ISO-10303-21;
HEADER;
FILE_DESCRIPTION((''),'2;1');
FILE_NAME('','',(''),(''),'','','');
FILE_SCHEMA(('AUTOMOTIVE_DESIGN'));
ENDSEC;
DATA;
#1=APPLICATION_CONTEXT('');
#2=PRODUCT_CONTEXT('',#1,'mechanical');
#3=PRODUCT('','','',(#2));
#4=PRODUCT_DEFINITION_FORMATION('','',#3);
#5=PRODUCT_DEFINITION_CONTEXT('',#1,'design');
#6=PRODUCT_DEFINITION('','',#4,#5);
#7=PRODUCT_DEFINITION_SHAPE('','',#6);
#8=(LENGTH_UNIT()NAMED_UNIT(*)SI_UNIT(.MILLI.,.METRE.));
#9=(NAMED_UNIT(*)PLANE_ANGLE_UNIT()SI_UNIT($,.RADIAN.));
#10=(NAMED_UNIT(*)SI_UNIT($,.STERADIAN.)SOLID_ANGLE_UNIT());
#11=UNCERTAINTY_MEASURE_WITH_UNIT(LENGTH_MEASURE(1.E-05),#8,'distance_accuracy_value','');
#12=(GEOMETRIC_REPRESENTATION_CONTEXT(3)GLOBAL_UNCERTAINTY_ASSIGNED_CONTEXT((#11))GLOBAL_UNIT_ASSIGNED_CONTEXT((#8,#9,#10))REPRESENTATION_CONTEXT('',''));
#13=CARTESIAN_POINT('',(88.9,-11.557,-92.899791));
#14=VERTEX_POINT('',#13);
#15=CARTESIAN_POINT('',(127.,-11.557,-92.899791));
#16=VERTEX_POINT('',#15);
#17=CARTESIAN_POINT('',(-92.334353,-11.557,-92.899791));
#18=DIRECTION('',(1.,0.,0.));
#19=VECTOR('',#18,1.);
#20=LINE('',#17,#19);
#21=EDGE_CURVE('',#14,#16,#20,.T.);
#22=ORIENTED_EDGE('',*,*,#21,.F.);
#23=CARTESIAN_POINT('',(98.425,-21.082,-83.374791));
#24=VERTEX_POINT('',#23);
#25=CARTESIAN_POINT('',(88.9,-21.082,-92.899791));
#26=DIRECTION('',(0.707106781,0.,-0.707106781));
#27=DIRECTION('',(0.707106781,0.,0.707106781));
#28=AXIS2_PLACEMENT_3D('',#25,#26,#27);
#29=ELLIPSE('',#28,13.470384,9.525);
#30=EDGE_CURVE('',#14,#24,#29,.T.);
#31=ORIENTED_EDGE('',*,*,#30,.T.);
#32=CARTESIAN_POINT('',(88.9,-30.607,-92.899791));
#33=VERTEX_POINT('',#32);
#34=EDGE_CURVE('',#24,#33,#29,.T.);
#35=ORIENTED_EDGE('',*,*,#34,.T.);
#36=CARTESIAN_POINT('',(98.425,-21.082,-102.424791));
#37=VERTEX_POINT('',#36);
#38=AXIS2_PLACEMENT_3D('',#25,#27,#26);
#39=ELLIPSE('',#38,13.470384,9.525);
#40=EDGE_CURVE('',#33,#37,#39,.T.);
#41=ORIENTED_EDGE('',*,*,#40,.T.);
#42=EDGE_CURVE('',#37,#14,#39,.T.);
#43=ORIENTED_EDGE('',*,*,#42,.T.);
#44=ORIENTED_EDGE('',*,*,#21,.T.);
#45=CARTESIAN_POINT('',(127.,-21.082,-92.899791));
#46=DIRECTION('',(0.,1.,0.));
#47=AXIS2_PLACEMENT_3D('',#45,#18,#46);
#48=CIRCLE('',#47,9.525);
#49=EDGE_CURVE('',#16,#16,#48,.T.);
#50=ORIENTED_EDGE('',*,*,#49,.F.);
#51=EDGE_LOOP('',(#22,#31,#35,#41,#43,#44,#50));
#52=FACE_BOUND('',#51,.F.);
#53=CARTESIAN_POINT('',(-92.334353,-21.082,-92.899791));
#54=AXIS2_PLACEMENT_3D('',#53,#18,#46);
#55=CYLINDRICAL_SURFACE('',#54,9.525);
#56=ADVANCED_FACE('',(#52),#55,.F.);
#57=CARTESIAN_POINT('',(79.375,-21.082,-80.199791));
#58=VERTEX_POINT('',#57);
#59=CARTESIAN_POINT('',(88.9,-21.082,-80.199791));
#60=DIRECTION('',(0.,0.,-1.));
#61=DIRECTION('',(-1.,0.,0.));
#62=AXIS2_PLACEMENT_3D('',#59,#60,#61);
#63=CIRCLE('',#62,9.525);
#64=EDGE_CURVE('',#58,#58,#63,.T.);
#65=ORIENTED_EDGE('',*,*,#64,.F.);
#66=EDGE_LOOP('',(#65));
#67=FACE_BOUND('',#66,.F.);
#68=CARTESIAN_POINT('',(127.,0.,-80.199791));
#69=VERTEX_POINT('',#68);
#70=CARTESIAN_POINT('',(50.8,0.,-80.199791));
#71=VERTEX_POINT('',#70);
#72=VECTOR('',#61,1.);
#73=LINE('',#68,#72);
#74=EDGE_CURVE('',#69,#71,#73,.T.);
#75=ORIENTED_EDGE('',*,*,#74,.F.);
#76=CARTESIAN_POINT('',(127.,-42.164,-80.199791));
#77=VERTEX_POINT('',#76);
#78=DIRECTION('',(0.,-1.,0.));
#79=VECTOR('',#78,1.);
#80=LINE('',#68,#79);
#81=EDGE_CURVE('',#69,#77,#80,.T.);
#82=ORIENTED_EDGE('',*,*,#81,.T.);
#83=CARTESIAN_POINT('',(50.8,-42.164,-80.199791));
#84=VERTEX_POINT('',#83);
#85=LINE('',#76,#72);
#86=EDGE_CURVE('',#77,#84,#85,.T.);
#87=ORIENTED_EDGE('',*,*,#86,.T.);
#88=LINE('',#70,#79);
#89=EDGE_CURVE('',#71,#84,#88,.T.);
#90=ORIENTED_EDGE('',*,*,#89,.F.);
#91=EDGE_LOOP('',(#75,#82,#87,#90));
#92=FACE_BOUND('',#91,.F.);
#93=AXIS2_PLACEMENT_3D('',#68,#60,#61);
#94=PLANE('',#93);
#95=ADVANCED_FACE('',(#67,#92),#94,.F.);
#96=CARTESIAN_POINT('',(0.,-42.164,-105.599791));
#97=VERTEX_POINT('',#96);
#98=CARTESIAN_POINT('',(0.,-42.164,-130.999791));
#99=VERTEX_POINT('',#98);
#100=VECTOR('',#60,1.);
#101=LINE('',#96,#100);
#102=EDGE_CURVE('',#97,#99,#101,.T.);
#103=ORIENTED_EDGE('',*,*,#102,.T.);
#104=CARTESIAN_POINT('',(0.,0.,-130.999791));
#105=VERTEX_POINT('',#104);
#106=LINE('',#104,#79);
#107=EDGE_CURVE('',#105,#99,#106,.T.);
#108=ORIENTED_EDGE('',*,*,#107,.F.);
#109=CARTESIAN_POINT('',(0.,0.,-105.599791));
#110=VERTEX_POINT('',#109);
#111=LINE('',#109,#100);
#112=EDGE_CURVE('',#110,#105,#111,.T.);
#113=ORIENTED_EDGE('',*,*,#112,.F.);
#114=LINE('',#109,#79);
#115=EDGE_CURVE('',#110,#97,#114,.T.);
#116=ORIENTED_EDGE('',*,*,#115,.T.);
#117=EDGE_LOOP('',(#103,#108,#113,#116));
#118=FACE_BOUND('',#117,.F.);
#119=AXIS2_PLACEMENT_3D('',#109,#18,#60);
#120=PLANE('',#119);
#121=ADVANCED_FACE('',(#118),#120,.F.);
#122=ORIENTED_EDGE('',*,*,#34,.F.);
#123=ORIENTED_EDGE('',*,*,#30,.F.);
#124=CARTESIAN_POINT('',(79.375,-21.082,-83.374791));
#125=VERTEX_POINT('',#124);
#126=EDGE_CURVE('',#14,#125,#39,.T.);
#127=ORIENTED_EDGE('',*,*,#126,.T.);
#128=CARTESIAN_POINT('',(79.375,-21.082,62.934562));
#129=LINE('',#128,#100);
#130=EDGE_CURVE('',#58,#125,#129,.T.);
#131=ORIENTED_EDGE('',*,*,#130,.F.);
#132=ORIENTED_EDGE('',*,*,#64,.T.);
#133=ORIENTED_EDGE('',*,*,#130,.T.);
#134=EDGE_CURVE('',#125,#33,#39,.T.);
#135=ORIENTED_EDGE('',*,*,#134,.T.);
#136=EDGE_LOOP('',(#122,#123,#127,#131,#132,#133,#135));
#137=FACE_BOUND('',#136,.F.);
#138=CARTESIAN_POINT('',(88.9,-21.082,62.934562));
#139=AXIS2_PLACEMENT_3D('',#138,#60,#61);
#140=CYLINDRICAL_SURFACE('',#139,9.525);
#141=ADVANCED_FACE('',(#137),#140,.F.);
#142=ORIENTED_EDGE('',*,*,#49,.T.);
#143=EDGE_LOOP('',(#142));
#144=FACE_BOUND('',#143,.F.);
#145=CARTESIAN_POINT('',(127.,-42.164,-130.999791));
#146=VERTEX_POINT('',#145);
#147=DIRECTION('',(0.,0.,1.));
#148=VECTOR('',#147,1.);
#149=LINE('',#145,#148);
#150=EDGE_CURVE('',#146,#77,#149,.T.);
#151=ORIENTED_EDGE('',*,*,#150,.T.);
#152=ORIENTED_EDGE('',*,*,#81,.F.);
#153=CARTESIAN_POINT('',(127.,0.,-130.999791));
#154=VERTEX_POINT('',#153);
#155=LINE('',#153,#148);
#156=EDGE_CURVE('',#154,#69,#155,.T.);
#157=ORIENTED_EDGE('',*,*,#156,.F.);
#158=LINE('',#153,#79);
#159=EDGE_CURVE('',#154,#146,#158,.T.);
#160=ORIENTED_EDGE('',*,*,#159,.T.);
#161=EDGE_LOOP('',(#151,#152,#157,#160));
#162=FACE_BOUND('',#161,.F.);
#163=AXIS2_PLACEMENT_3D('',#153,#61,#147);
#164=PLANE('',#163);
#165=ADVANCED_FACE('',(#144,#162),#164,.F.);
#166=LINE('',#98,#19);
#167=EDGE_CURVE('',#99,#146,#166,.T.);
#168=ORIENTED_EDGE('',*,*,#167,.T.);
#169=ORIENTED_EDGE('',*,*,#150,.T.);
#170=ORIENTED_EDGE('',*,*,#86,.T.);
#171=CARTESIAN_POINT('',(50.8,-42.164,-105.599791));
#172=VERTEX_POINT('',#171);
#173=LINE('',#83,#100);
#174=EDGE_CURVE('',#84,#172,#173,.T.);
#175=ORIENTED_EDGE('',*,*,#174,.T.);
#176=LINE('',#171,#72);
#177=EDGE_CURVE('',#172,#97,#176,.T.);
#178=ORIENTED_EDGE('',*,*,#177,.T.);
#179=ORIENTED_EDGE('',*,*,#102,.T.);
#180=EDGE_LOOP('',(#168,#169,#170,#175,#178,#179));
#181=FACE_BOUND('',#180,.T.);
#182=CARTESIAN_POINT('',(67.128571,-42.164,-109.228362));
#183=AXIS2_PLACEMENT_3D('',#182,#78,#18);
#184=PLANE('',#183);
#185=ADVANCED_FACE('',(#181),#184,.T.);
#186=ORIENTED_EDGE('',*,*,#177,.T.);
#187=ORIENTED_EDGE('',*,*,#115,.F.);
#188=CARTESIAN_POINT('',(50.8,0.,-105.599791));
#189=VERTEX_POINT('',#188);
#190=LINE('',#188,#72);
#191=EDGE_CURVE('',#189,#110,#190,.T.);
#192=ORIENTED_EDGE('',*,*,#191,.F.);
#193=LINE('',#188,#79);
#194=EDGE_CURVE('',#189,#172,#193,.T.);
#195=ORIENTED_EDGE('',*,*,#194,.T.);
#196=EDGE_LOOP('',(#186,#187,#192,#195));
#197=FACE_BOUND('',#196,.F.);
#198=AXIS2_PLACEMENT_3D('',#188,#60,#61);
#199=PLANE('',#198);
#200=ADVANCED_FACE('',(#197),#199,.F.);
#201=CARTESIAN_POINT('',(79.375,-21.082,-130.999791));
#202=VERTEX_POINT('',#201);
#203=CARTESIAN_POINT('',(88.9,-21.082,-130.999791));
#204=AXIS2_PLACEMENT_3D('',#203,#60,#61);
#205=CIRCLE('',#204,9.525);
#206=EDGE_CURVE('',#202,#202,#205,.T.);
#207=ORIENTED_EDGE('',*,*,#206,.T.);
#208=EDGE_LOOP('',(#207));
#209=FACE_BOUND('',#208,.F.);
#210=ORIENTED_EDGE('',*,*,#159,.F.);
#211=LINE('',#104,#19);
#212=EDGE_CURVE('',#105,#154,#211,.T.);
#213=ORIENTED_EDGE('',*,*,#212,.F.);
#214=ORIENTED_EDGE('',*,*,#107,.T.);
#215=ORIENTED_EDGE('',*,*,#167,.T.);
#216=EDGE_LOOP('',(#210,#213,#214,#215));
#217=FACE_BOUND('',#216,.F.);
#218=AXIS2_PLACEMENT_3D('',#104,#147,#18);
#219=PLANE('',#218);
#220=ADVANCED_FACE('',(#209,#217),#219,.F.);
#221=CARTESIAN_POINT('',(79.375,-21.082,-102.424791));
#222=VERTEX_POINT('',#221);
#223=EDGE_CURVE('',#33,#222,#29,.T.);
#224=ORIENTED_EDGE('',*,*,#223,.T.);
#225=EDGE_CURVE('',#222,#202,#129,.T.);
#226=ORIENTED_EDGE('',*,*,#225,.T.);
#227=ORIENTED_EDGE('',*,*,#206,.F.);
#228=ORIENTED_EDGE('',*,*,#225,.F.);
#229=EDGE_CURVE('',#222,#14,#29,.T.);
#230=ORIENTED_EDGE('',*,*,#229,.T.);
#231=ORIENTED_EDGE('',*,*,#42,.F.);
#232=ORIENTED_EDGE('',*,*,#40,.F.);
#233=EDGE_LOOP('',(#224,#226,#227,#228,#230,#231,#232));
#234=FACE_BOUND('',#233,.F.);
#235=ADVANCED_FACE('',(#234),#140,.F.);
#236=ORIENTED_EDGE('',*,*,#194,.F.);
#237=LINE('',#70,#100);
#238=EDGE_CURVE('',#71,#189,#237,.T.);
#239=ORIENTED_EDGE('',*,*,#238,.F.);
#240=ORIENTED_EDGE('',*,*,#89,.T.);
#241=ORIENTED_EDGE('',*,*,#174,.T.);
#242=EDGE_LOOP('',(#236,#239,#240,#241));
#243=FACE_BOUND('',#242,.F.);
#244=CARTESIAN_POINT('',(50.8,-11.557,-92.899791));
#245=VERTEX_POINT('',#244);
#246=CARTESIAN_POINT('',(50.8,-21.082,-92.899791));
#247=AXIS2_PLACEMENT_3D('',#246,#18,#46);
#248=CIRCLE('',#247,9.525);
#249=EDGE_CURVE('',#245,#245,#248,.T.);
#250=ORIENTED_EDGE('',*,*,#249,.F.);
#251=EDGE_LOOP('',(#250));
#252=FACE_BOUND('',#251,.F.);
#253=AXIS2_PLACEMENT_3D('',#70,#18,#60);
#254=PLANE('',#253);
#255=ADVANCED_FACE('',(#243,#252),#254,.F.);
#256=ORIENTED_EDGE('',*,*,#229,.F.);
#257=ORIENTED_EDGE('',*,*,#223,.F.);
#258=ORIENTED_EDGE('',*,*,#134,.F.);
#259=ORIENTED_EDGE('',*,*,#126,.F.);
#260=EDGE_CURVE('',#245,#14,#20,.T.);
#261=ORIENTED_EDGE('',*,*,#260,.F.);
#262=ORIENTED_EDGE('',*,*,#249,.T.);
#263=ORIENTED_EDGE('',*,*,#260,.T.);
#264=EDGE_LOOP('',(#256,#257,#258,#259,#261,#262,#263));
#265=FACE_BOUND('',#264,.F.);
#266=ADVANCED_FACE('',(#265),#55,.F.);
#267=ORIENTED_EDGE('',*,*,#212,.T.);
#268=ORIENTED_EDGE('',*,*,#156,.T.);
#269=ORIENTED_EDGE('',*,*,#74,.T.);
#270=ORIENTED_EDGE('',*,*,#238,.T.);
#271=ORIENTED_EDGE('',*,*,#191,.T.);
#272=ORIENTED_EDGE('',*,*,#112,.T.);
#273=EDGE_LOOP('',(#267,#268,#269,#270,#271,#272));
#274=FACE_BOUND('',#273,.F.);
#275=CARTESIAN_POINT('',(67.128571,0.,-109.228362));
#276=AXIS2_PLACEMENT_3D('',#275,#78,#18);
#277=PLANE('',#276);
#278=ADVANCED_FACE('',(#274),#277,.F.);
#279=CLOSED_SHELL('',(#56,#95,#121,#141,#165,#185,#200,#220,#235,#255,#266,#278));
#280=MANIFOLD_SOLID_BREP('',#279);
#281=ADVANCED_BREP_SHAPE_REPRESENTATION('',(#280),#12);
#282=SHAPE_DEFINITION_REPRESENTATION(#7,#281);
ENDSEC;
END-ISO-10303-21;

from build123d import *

# Parameters (mm, degrees)
F1_DEPTH = 42.164
F3_D     = 19.05
F5_D     = 19.05


with BuildPart() as f1:
    # F0 (on Front) → F1 (new body)
    with BuildSketch(Plane.XZ):
        Polygon((127, -80.199791), (50.8, -80.199791), (50.8, -105.599791), (0, -105.599791), (0, -130.999791), (127, -130.999791), align=None)
    extrude(amount=F1_DEPTH)

    # F3 (through all)
    with Locations(Plane(origin=(50.8, 0, 0), x_dir=(0, -1, 0), z_dir=(-1, 0, 0))):
        with Locations((21.082, -92.899791)):
            Hole(F3_D / 2)

    # F5 (through all)
    with Locations(Plane.XY.offset(-80.199791)):
        with Locations((88.9, -21.082)):
            Hole(F5_D / 2)


solid = f1.part
